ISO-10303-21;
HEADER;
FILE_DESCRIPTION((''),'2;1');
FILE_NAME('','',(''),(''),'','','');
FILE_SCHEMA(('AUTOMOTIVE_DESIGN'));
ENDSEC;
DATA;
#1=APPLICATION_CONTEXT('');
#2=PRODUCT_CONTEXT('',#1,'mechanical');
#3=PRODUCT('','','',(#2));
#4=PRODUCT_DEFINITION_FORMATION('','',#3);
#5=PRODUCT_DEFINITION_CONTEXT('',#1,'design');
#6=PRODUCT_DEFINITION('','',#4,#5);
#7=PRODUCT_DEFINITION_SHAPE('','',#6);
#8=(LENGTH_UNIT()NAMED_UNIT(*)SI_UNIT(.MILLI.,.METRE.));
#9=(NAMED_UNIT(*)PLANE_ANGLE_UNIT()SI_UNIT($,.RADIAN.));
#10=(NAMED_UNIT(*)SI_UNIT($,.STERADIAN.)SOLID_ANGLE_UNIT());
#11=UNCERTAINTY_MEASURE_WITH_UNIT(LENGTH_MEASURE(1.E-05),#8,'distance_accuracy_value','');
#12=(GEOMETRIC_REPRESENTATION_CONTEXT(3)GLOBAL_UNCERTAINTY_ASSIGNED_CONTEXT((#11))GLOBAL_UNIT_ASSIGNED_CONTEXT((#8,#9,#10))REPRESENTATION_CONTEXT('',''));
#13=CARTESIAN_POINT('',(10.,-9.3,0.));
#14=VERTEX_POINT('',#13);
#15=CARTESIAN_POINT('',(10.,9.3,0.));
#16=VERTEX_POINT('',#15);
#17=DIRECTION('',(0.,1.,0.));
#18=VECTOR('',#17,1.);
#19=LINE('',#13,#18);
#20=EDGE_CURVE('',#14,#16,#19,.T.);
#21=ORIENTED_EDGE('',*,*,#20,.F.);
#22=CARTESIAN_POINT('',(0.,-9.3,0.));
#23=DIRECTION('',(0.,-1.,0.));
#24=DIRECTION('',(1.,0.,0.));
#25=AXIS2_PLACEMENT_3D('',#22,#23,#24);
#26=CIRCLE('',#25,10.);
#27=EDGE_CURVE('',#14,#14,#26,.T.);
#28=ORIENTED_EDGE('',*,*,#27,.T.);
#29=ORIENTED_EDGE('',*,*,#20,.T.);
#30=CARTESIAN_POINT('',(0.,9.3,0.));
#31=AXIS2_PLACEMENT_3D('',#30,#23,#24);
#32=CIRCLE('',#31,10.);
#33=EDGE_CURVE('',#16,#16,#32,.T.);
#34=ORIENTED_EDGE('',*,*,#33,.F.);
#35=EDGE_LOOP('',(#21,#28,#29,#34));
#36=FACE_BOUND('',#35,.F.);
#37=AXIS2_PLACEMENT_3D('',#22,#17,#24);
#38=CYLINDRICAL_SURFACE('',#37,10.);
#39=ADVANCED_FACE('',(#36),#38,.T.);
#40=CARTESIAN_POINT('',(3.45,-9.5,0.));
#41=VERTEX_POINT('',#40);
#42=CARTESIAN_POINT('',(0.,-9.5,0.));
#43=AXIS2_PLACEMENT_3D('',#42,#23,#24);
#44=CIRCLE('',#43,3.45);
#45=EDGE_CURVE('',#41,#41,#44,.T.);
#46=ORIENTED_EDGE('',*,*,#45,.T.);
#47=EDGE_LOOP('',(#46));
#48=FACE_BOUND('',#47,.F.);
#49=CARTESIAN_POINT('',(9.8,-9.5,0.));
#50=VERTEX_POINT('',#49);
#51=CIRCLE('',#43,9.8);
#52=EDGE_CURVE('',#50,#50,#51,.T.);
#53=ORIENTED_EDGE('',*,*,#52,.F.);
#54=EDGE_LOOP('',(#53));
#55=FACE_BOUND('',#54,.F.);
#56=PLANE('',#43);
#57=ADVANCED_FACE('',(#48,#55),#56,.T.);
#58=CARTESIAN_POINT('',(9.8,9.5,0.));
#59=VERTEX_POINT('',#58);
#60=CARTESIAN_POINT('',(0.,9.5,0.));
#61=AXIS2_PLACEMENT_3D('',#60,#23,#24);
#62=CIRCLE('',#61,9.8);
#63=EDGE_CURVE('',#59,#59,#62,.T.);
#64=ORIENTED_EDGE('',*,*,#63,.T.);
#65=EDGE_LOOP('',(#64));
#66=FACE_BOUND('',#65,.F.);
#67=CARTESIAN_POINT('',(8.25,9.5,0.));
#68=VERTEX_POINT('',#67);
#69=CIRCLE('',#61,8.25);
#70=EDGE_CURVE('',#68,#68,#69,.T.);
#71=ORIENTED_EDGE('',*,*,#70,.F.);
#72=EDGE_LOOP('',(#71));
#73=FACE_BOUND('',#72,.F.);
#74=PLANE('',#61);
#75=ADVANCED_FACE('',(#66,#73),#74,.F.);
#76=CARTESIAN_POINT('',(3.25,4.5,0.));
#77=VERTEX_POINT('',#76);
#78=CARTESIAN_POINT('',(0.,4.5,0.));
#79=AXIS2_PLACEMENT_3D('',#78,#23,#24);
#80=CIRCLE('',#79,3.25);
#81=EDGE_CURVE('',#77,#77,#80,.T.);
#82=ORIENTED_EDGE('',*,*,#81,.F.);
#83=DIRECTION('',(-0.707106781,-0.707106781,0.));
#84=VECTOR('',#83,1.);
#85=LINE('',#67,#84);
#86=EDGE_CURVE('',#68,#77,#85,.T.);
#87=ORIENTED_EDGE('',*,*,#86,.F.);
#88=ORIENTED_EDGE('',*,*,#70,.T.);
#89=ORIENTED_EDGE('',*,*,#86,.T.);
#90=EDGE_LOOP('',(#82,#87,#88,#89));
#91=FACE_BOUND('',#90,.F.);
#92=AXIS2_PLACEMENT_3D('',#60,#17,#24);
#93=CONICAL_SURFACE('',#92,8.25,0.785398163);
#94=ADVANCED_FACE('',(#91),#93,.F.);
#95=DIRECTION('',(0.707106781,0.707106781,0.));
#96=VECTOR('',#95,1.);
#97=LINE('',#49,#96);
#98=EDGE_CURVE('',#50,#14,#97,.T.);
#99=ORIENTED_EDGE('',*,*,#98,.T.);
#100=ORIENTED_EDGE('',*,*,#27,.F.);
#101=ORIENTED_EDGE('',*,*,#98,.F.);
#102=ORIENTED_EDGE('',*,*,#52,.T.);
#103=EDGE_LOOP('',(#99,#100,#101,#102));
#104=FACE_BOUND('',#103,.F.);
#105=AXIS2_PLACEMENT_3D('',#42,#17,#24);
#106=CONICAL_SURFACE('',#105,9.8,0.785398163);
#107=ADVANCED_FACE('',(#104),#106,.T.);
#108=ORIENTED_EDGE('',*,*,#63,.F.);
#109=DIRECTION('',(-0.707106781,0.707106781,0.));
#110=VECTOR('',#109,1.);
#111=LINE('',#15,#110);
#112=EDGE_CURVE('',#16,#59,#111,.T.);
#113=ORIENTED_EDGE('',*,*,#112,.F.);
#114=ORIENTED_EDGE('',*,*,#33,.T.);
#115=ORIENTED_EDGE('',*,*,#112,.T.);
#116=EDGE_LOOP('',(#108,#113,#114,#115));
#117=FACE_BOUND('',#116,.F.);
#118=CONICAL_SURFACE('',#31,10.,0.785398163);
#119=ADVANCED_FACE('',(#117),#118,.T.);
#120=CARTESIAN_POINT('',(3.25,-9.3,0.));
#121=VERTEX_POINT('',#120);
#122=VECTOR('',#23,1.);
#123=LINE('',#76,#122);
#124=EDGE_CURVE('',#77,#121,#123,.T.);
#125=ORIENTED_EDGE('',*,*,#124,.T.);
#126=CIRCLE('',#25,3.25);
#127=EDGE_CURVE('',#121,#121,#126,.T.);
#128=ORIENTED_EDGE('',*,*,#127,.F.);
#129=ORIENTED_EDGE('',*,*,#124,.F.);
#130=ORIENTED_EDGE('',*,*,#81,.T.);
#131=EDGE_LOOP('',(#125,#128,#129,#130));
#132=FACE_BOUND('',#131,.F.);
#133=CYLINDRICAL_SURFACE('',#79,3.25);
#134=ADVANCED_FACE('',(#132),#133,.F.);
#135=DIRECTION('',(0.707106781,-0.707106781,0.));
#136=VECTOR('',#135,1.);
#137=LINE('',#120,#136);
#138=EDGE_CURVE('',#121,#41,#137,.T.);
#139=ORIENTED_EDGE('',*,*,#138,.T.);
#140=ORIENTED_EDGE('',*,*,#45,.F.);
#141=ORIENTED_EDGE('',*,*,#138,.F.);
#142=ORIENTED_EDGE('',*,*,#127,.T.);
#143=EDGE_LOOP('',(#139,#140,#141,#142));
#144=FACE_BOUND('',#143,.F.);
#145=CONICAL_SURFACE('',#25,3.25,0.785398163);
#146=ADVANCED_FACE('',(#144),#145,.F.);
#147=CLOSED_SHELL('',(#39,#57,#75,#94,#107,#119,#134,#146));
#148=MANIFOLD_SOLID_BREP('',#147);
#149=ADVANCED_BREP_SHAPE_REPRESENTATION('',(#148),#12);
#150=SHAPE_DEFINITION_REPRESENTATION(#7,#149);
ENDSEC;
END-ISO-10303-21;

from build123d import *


with BuildPart() as part:
    # Sketch1 → Revolve1 (revolve)
    with BuildSketch(Plane.XY):
        Polygon((3.45, -9.5), (9.8, -9.5), (10, -9.3), (10, 9.3), (9.8, 9.5), (8.25, 9.5), (3.25, 4.5), (3.25, -9.3), align=None)
    revolve(axis=Axis((0, 9.5, 0), (0, -1, 0)))


solid = part.part
